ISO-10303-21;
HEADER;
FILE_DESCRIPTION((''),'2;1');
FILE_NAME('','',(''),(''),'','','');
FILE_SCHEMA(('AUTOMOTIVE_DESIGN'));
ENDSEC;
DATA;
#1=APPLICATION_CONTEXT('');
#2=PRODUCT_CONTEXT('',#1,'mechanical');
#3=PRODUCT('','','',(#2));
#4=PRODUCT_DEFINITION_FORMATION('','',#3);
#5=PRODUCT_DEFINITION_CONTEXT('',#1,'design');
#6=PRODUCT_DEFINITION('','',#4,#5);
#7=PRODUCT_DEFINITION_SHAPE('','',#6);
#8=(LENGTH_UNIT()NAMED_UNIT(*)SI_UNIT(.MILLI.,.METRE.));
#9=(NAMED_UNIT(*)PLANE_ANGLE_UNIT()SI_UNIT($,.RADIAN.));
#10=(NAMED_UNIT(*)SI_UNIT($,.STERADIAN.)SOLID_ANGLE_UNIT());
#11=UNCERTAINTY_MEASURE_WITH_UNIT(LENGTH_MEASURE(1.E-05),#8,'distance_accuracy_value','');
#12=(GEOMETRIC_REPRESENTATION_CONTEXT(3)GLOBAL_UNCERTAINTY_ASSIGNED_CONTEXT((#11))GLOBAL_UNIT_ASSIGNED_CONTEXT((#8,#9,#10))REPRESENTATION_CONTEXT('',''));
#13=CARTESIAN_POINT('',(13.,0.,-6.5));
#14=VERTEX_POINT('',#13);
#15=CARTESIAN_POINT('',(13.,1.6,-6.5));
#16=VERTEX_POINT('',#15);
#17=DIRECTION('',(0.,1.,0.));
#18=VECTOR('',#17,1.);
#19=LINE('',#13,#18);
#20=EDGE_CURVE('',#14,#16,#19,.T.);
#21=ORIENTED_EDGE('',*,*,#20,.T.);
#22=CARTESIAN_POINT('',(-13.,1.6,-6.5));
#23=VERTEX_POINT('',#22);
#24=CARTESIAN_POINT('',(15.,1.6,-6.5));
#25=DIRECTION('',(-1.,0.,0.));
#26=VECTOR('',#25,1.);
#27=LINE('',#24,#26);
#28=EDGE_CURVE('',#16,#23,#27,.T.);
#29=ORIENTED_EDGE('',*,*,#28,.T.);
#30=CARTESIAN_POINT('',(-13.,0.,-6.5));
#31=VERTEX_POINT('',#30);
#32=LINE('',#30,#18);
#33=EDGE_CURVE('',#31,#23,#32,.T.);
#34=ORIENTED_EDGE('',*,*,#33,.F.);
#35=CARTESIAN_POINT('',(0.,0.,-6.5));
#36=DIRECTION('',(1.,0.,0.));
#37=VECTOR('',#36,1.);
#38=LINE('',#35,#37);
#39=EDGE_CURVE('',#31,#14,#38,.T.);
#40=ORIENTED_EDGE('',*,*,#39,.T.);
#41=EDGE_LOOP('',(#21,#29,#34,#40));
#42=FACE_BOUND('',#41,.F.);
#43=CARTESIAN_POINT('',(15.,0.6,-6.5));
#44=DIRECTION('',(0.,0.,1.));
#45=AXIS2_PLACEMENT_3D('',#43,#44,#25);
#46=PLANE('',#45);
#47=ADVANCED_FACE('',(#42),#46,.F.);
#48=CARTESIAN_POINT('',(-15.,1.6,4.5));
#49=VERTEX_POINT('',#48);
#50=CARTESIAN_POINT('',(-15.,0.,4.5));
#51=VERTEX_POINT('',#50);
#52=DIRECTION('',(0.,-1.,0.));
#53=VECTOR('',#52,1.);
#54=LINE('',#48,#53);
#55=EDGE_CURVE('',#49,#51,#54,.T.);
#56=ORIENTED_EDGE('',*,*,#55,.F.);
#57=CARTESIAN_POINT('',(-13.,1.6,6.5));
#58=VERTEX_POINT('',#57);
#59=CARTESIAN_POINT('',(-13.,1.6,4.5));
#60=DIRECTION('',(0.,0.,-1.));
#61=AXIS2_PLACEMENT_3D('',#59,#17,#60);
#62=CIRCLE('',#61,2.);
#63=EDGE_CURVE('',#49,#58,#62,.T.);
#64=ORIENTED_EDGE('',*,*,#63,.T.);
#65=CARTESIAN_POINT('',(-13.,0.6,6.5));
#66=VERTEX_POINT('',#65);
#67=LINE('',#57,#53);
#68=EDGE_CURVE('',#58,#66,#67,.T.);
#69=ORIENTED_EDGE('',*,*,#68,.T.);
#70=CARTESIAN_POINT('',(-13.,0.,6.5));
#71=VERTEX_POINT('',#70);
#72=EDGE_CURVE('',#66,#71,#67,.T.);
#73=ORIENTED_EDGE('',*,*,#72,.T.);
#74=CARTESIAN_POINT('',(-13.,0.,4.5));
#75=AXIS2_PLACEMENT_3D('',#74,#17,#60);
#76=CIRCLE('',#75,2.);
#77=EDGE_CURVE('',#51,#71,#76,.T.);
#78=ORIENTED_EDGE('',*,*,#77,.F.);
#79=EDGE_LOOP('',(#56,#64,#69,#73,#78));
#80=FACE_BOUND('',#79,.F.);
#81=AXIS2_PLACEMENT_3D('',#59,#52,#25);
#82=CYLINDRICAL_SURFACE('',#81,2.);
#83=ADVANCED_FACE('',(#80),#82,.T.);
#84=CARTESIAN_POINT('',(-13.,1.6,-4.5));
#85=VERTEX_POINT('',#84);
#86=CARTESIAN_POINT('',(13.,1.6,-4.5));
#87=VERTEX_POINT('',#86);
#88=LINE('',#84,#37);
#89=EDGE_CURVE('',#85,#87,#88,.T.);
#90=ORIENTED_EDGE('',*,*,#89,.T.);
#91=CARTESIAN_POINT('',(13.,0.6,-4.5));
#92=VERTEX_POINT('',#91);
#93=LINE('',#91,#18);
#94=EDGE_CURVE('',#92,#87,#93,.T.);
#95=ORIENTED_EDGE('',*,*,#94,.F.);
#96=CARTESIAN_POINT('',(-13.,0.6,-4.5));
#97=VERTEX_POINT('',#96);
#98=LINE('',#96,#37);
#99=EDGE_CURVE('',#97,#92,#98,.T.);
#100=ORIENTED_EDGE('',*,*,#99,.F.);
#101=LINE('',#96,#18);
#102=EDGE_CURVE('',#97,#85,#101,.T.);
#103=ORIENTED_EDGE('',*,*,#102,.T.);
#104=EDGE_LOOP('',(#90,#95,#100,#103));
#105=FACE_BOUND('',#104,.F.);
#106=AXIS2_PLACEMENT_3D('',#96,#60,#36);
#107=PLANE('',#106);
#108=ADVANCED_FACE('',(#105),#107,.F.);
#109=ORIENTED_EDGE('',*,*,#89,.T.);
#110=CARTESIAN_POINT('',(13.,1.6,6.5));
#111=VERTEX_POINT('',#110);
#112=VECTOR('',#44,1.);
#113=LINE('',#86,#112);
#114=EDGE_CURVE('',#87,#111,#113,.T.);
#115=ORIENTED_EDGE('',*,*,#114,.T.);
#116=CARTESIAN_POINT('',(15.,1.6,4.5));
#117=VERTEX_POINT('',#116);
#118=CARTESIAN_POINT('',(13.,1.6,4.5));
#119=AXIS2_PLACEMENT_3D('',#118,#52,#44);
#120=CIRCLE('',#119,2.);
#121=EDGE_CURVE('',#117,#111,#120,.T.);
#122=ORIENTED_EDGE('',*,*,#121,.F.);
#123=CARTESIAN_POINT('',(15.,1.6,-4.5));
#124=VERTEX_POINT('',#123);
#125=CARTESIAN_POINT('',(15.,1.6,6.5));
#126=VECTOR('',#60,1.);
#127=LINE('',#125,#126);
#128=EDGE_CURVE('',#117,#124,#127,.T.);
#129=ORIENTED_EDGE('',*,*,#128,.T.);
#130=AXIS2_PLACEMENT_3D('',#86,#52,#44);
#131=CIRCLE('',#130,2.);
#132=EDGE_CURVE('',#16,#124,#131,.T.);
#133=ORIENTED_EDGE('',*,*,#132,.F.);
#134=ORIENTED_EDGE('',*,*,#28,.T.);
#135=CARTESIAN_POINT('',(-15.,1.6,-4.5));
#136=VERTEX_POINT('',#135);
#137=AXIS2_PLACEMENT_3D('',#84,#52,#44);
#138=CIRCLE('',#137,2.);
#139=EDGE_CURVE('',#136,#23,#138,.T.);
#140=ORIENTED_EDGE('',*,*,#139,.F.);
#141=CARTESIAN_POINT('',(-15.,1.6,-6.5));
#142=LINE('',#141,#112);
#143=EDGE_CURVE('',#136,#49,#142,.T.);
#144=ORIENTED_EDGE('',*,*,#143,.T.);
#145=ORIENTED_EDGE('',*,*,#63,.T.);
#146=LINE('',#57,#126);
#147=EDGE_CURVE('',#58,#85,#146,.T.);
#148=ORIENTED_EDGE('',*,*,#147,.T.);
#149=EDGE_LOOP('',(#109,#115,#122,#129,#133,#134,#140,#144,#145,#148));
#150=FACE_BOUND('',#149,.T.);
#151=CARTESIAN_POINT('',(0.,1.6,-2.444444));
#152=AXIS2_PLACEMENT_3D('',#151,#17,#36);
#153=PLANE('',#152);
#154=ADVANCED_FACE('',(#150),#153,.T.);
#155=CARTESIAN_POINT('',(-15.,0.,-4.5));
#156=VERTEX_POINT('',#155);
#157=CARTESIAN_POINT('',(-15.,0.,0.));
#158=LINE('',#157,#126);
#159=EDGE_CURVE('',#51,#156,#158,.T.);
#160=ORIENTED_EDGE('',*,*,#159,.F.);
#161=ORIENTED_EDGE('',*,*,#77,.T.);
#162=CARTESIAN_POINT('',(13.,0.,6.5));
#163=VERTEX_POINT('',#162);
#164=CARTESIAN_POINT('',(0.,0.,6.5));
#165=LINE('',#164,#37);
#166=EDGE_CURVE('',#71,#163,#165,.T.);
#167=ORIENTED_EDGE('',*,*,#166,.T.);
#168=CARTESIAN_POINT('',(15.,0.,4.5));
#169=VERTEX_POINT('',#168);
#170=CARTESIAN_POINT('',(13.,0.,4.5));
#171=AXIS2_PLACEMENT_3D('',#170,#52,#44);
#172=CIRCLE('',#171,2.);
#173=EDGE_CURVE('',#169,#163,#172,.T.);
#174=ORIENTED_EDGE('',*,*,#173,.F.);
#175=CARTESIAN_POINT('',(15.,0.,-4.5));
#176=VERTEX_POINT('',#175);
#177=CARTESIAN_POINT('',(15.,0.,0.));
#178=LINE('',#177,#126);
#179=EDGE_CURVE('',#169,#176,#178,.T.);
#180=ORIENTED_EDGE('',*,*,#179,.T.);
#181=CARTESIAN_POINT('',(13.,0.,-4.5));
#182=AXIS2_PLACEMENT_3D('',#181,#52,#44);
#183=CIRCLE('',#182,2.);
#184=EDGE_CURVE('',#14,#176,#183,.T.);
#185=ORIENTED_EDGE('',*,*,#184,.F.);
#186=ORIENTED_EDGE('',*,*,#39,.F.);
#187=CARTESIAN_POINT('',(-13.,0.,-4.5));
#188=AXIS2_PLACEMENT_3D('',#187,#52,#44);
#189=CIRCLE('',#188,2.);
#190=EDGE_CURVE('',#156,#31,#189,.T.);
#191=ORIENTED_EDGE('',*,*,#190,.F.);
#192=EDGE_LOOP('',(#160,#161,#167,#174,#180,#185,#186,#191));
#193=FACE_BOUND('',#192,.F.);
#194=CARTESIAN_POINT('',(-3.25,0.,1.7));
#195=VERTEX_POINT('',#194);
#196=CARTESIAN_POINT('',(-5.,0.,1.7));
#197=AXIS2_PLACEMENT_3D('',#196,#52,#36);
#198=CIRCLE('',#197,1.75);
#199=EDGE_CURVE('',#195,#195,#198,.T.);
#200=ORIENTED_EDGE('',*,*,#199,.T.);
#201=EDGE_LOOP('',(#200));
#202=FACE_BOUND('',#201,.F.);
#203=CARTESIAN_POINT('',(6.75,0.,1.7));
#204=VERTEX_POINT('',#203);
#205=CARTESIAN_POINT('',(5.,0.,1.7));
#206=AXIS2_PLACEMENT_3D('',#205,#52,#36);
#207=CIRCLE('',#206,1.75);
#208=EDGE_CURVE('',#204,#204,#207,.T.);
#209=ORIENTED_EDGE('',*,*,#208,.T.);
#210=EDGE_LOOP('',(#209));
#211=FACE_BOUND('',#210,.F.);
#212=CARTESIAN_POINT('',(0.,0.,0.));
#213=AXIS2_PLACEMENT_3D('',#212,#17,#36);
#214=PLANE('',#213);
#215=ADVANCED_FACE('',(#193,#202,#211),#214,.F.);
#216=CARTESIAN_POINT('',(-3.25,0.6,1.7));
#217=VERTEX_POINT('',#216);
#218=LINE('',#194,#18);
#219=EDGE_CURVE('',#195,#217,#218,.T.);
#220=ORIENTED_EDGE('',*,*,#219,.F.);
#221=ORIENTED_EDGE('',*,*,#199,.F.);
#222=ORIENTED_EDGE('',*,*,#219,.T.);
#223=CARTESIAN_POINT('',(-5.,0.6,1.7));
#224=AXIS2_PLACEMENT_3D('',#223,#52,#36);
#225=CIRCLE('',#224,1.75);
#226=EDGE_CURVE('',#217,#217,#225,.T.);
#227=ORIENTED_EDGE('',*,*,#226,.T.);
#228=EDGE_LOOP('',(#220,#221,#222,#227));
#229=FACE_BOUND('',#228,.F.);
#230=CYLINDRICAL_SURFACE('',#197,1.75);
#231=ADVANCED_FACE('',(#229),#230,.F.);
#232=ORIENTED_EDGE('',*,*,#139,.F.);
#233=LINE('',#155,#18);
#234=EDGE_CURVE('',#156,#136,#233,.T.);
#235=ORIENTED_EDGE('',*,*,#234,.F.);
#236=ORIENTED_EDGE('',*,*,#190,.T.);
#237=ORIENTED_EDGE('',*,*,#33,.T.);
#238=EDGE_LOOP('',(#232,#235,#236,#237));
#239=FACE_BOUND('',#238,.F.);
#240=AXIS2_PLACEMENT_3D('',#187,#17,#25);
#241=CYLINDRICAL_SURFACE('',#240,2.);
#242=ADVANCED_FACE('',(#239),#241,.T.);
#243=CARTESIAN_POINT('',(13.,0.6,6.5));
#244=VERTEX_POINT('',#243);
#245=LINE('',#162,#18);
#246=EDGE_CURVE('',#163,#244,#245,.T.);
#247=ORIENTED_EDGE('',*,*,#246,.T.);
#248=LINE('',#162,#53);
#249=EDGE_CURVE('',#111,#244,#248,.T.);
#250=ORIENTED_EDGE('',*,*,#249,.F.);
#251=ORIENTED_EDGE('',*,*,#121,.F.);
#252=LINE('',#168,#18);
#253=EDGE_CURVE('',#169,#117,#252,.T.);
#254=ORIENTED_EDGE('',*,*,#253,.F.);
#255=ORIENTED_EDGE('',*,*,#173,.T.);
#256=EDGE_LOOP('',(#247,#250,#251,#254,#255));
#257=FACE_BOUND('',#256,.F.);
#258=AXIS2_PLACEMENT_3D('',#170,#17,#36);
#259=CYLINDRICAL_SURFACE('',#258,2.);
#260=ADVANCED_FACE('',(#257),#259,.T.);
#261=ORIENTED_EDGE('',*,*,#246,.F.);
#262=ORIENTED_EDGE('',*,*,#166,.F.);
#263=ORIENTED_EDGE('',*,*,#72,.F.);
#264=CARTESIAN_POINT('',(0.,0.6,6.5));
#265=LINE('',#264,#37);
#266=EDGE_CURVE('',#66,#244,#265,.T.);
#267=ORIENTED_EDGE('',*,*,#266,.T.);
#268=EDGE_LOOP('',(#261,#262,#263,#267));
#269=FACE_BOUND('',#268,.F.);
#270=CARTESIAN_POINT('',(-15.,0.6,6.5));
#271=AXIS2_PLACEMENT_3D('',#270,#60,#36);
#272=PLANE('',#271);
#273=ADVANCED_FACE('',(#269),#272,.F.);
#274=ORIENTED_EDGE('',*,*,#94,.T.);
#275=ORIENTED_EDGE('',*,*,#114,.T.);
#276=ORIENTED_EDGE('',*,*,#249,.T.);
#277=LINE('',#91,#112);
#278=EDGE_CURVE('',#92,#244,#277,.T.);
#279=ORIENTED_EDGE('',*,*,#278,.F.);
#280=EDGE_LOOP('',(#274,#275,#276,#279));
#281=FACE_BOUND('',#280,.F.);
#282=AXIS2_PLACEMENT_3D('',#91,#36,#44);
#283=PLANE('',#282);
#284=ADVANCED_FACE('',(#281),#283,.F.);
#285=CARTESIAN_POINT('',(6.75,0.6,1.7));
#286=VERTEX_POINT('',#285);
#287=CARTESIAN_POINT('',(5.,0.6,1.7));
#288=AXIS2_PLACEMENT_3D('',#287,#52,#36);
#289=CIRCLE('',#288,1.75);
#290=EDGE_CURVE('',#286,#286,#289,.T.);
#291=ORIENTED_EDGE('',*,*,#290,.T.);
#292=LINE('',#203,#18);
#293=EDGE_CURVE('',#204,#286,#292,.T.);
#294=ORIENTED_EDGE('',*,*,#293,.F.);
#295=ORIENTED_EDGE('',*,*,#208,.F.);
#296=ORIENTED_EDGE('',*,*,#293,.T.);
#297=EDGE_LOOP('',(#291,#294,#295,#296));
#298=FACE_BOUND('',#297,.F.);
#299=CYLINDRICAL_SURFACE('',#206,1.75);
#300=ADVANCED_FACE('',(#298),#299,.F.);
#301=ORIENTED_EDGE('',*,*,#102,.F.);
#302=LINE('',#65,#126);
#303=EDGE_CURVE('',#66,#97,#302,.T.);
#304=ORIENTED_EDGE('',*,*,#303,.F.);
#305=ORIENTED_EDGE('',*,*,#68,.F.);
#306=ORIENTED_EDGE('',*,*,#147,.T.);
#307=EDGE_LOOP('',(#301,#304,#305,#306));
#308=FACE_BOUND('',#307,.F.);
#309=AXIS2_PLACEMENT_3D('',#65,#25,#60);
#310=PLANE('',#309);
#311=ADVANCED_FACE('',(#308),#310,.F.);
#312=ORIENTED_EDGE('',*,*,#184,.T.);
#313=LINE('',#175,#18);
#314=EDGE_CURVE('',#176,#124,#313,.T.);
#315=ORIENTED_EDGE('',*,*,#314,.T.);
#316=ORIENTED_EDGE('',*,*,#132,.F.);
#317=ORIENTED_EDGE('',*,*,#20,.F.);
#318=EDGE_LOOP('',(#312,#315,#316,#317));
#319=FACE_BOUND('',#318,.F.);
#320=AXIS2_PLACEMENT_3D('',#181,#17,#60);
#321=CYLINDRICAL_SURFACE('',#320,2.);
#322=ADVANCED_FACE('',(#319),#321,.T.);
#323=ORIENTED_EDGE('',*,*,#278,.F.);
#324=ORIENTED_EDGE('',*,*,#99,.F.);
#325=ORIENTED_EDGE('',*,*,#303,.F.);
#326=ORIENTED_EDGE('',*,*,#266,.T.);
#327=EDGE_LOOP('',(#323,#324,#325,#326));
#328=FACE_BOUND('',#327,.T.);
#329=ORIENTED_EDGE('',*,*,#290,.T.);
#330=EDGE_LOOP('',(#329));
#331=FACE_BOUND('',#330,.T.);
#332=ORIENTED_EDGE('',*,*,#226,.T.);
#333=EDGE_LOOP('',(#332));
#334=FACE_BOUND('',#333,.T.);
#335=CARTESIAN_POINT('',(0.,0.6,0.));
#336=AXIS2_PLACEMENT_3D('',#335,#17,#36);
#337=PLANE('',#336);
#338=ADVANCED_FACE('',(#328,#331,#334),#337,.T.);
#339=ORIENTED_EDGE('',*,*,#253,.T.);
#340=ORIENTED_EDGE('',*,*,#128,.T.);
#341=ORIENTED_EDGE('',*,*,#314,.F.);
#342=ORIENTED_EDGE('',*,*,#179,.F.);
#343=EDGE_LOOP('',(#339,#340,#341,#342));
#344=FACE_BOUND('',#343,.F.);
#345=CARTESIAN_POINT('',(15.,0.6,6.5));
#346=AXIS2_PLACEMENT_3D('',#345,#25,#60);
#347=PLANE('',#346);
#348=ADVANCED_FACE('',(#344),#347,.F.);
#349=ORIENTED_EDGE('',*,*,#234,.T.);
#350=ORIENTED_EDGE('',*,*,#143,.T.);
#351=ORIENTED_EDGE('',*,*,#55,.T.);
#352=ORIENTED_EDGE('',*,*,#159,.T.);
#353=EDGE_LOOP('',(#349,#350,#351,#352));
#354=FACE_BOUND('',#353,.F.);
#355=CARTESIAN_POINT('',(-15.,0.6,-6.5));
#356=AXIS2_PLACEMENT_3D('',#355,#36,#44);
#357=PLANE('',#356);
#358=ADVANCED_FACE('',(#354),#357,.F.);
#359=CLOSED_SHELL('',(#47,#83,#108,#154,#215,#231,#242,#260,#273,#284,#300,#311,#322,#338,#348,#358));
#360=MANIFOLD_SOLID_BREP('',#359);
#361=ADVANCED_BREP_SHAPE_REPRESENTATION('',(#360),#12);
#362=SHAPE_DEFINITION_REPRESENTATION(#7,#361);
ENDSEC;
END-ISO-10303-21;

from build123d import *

# Parameters (mm, degrees)
SKETCH1_W           = 30
SKETCH1_H           = 13
BOSS_EXTRUDE1_DEPTH = 0.6
BOSS_EXTRUDE2_DEPTH = 1
FILLET1_R           = 2
SKETCH3_R           = 1.75
CUT_EXTRUDE1_DEPTH  = 2.6


with BuildPart() as part:
    # Sketch1 → Boss-Extrude1 (new body)
    with BuildSketch(Plane(origin=(0, 0, 0), x_dir=(1, 0, 0), z_dir=(0, 1, 0))):
        Rectangle(SKETCH1_W, SKETCH1_H)
    extrude(amount=BOSS_EXTRUDE1_DEPTH)

    # Sketch2 → Boss-Extrude2 (add)
    with BuildSketch(Plane(origin=(0, 0.6, 0), x_dir=(1, 0, 0), z_dir=(0, 1, 0))):
        Polygon((-13, 4.5), (13, 4.5), (13, -6.5), (15, -6.5), (15, 6.5), (-15, 6.5), (-15, -6.5), (-13, -6.5), align=None)
    extrude(amount=BOSS_EXTRUDE2_DEPTH)

    # Fillet1
    fillet1_edges = [part.edges().sort_by_distance(p)[0] for p in [
        (-15, 0.8, 6.5),
        (15, 0.8, 6.5),
        (15, 0.8, -6.5),
        (-15, 0.8, -6.5),
    ]]
    fillet(fillet1_edges, radius=FILLET1_R)

    # Sketch3 → Cut-Extrude1 (cut, through all)
    with BuildSketch(Plane.XZ):
        with Locations((-5, 1.7)):
            Circle(SKETCH3_R)
        with Locations((5, 1.7)):
            Circle(SKETCH3_R)
    extrude(amount=-CUT_EXTRUDE1_DEPTH, mode=Mode.SUBTRACT)


solid = part.part
